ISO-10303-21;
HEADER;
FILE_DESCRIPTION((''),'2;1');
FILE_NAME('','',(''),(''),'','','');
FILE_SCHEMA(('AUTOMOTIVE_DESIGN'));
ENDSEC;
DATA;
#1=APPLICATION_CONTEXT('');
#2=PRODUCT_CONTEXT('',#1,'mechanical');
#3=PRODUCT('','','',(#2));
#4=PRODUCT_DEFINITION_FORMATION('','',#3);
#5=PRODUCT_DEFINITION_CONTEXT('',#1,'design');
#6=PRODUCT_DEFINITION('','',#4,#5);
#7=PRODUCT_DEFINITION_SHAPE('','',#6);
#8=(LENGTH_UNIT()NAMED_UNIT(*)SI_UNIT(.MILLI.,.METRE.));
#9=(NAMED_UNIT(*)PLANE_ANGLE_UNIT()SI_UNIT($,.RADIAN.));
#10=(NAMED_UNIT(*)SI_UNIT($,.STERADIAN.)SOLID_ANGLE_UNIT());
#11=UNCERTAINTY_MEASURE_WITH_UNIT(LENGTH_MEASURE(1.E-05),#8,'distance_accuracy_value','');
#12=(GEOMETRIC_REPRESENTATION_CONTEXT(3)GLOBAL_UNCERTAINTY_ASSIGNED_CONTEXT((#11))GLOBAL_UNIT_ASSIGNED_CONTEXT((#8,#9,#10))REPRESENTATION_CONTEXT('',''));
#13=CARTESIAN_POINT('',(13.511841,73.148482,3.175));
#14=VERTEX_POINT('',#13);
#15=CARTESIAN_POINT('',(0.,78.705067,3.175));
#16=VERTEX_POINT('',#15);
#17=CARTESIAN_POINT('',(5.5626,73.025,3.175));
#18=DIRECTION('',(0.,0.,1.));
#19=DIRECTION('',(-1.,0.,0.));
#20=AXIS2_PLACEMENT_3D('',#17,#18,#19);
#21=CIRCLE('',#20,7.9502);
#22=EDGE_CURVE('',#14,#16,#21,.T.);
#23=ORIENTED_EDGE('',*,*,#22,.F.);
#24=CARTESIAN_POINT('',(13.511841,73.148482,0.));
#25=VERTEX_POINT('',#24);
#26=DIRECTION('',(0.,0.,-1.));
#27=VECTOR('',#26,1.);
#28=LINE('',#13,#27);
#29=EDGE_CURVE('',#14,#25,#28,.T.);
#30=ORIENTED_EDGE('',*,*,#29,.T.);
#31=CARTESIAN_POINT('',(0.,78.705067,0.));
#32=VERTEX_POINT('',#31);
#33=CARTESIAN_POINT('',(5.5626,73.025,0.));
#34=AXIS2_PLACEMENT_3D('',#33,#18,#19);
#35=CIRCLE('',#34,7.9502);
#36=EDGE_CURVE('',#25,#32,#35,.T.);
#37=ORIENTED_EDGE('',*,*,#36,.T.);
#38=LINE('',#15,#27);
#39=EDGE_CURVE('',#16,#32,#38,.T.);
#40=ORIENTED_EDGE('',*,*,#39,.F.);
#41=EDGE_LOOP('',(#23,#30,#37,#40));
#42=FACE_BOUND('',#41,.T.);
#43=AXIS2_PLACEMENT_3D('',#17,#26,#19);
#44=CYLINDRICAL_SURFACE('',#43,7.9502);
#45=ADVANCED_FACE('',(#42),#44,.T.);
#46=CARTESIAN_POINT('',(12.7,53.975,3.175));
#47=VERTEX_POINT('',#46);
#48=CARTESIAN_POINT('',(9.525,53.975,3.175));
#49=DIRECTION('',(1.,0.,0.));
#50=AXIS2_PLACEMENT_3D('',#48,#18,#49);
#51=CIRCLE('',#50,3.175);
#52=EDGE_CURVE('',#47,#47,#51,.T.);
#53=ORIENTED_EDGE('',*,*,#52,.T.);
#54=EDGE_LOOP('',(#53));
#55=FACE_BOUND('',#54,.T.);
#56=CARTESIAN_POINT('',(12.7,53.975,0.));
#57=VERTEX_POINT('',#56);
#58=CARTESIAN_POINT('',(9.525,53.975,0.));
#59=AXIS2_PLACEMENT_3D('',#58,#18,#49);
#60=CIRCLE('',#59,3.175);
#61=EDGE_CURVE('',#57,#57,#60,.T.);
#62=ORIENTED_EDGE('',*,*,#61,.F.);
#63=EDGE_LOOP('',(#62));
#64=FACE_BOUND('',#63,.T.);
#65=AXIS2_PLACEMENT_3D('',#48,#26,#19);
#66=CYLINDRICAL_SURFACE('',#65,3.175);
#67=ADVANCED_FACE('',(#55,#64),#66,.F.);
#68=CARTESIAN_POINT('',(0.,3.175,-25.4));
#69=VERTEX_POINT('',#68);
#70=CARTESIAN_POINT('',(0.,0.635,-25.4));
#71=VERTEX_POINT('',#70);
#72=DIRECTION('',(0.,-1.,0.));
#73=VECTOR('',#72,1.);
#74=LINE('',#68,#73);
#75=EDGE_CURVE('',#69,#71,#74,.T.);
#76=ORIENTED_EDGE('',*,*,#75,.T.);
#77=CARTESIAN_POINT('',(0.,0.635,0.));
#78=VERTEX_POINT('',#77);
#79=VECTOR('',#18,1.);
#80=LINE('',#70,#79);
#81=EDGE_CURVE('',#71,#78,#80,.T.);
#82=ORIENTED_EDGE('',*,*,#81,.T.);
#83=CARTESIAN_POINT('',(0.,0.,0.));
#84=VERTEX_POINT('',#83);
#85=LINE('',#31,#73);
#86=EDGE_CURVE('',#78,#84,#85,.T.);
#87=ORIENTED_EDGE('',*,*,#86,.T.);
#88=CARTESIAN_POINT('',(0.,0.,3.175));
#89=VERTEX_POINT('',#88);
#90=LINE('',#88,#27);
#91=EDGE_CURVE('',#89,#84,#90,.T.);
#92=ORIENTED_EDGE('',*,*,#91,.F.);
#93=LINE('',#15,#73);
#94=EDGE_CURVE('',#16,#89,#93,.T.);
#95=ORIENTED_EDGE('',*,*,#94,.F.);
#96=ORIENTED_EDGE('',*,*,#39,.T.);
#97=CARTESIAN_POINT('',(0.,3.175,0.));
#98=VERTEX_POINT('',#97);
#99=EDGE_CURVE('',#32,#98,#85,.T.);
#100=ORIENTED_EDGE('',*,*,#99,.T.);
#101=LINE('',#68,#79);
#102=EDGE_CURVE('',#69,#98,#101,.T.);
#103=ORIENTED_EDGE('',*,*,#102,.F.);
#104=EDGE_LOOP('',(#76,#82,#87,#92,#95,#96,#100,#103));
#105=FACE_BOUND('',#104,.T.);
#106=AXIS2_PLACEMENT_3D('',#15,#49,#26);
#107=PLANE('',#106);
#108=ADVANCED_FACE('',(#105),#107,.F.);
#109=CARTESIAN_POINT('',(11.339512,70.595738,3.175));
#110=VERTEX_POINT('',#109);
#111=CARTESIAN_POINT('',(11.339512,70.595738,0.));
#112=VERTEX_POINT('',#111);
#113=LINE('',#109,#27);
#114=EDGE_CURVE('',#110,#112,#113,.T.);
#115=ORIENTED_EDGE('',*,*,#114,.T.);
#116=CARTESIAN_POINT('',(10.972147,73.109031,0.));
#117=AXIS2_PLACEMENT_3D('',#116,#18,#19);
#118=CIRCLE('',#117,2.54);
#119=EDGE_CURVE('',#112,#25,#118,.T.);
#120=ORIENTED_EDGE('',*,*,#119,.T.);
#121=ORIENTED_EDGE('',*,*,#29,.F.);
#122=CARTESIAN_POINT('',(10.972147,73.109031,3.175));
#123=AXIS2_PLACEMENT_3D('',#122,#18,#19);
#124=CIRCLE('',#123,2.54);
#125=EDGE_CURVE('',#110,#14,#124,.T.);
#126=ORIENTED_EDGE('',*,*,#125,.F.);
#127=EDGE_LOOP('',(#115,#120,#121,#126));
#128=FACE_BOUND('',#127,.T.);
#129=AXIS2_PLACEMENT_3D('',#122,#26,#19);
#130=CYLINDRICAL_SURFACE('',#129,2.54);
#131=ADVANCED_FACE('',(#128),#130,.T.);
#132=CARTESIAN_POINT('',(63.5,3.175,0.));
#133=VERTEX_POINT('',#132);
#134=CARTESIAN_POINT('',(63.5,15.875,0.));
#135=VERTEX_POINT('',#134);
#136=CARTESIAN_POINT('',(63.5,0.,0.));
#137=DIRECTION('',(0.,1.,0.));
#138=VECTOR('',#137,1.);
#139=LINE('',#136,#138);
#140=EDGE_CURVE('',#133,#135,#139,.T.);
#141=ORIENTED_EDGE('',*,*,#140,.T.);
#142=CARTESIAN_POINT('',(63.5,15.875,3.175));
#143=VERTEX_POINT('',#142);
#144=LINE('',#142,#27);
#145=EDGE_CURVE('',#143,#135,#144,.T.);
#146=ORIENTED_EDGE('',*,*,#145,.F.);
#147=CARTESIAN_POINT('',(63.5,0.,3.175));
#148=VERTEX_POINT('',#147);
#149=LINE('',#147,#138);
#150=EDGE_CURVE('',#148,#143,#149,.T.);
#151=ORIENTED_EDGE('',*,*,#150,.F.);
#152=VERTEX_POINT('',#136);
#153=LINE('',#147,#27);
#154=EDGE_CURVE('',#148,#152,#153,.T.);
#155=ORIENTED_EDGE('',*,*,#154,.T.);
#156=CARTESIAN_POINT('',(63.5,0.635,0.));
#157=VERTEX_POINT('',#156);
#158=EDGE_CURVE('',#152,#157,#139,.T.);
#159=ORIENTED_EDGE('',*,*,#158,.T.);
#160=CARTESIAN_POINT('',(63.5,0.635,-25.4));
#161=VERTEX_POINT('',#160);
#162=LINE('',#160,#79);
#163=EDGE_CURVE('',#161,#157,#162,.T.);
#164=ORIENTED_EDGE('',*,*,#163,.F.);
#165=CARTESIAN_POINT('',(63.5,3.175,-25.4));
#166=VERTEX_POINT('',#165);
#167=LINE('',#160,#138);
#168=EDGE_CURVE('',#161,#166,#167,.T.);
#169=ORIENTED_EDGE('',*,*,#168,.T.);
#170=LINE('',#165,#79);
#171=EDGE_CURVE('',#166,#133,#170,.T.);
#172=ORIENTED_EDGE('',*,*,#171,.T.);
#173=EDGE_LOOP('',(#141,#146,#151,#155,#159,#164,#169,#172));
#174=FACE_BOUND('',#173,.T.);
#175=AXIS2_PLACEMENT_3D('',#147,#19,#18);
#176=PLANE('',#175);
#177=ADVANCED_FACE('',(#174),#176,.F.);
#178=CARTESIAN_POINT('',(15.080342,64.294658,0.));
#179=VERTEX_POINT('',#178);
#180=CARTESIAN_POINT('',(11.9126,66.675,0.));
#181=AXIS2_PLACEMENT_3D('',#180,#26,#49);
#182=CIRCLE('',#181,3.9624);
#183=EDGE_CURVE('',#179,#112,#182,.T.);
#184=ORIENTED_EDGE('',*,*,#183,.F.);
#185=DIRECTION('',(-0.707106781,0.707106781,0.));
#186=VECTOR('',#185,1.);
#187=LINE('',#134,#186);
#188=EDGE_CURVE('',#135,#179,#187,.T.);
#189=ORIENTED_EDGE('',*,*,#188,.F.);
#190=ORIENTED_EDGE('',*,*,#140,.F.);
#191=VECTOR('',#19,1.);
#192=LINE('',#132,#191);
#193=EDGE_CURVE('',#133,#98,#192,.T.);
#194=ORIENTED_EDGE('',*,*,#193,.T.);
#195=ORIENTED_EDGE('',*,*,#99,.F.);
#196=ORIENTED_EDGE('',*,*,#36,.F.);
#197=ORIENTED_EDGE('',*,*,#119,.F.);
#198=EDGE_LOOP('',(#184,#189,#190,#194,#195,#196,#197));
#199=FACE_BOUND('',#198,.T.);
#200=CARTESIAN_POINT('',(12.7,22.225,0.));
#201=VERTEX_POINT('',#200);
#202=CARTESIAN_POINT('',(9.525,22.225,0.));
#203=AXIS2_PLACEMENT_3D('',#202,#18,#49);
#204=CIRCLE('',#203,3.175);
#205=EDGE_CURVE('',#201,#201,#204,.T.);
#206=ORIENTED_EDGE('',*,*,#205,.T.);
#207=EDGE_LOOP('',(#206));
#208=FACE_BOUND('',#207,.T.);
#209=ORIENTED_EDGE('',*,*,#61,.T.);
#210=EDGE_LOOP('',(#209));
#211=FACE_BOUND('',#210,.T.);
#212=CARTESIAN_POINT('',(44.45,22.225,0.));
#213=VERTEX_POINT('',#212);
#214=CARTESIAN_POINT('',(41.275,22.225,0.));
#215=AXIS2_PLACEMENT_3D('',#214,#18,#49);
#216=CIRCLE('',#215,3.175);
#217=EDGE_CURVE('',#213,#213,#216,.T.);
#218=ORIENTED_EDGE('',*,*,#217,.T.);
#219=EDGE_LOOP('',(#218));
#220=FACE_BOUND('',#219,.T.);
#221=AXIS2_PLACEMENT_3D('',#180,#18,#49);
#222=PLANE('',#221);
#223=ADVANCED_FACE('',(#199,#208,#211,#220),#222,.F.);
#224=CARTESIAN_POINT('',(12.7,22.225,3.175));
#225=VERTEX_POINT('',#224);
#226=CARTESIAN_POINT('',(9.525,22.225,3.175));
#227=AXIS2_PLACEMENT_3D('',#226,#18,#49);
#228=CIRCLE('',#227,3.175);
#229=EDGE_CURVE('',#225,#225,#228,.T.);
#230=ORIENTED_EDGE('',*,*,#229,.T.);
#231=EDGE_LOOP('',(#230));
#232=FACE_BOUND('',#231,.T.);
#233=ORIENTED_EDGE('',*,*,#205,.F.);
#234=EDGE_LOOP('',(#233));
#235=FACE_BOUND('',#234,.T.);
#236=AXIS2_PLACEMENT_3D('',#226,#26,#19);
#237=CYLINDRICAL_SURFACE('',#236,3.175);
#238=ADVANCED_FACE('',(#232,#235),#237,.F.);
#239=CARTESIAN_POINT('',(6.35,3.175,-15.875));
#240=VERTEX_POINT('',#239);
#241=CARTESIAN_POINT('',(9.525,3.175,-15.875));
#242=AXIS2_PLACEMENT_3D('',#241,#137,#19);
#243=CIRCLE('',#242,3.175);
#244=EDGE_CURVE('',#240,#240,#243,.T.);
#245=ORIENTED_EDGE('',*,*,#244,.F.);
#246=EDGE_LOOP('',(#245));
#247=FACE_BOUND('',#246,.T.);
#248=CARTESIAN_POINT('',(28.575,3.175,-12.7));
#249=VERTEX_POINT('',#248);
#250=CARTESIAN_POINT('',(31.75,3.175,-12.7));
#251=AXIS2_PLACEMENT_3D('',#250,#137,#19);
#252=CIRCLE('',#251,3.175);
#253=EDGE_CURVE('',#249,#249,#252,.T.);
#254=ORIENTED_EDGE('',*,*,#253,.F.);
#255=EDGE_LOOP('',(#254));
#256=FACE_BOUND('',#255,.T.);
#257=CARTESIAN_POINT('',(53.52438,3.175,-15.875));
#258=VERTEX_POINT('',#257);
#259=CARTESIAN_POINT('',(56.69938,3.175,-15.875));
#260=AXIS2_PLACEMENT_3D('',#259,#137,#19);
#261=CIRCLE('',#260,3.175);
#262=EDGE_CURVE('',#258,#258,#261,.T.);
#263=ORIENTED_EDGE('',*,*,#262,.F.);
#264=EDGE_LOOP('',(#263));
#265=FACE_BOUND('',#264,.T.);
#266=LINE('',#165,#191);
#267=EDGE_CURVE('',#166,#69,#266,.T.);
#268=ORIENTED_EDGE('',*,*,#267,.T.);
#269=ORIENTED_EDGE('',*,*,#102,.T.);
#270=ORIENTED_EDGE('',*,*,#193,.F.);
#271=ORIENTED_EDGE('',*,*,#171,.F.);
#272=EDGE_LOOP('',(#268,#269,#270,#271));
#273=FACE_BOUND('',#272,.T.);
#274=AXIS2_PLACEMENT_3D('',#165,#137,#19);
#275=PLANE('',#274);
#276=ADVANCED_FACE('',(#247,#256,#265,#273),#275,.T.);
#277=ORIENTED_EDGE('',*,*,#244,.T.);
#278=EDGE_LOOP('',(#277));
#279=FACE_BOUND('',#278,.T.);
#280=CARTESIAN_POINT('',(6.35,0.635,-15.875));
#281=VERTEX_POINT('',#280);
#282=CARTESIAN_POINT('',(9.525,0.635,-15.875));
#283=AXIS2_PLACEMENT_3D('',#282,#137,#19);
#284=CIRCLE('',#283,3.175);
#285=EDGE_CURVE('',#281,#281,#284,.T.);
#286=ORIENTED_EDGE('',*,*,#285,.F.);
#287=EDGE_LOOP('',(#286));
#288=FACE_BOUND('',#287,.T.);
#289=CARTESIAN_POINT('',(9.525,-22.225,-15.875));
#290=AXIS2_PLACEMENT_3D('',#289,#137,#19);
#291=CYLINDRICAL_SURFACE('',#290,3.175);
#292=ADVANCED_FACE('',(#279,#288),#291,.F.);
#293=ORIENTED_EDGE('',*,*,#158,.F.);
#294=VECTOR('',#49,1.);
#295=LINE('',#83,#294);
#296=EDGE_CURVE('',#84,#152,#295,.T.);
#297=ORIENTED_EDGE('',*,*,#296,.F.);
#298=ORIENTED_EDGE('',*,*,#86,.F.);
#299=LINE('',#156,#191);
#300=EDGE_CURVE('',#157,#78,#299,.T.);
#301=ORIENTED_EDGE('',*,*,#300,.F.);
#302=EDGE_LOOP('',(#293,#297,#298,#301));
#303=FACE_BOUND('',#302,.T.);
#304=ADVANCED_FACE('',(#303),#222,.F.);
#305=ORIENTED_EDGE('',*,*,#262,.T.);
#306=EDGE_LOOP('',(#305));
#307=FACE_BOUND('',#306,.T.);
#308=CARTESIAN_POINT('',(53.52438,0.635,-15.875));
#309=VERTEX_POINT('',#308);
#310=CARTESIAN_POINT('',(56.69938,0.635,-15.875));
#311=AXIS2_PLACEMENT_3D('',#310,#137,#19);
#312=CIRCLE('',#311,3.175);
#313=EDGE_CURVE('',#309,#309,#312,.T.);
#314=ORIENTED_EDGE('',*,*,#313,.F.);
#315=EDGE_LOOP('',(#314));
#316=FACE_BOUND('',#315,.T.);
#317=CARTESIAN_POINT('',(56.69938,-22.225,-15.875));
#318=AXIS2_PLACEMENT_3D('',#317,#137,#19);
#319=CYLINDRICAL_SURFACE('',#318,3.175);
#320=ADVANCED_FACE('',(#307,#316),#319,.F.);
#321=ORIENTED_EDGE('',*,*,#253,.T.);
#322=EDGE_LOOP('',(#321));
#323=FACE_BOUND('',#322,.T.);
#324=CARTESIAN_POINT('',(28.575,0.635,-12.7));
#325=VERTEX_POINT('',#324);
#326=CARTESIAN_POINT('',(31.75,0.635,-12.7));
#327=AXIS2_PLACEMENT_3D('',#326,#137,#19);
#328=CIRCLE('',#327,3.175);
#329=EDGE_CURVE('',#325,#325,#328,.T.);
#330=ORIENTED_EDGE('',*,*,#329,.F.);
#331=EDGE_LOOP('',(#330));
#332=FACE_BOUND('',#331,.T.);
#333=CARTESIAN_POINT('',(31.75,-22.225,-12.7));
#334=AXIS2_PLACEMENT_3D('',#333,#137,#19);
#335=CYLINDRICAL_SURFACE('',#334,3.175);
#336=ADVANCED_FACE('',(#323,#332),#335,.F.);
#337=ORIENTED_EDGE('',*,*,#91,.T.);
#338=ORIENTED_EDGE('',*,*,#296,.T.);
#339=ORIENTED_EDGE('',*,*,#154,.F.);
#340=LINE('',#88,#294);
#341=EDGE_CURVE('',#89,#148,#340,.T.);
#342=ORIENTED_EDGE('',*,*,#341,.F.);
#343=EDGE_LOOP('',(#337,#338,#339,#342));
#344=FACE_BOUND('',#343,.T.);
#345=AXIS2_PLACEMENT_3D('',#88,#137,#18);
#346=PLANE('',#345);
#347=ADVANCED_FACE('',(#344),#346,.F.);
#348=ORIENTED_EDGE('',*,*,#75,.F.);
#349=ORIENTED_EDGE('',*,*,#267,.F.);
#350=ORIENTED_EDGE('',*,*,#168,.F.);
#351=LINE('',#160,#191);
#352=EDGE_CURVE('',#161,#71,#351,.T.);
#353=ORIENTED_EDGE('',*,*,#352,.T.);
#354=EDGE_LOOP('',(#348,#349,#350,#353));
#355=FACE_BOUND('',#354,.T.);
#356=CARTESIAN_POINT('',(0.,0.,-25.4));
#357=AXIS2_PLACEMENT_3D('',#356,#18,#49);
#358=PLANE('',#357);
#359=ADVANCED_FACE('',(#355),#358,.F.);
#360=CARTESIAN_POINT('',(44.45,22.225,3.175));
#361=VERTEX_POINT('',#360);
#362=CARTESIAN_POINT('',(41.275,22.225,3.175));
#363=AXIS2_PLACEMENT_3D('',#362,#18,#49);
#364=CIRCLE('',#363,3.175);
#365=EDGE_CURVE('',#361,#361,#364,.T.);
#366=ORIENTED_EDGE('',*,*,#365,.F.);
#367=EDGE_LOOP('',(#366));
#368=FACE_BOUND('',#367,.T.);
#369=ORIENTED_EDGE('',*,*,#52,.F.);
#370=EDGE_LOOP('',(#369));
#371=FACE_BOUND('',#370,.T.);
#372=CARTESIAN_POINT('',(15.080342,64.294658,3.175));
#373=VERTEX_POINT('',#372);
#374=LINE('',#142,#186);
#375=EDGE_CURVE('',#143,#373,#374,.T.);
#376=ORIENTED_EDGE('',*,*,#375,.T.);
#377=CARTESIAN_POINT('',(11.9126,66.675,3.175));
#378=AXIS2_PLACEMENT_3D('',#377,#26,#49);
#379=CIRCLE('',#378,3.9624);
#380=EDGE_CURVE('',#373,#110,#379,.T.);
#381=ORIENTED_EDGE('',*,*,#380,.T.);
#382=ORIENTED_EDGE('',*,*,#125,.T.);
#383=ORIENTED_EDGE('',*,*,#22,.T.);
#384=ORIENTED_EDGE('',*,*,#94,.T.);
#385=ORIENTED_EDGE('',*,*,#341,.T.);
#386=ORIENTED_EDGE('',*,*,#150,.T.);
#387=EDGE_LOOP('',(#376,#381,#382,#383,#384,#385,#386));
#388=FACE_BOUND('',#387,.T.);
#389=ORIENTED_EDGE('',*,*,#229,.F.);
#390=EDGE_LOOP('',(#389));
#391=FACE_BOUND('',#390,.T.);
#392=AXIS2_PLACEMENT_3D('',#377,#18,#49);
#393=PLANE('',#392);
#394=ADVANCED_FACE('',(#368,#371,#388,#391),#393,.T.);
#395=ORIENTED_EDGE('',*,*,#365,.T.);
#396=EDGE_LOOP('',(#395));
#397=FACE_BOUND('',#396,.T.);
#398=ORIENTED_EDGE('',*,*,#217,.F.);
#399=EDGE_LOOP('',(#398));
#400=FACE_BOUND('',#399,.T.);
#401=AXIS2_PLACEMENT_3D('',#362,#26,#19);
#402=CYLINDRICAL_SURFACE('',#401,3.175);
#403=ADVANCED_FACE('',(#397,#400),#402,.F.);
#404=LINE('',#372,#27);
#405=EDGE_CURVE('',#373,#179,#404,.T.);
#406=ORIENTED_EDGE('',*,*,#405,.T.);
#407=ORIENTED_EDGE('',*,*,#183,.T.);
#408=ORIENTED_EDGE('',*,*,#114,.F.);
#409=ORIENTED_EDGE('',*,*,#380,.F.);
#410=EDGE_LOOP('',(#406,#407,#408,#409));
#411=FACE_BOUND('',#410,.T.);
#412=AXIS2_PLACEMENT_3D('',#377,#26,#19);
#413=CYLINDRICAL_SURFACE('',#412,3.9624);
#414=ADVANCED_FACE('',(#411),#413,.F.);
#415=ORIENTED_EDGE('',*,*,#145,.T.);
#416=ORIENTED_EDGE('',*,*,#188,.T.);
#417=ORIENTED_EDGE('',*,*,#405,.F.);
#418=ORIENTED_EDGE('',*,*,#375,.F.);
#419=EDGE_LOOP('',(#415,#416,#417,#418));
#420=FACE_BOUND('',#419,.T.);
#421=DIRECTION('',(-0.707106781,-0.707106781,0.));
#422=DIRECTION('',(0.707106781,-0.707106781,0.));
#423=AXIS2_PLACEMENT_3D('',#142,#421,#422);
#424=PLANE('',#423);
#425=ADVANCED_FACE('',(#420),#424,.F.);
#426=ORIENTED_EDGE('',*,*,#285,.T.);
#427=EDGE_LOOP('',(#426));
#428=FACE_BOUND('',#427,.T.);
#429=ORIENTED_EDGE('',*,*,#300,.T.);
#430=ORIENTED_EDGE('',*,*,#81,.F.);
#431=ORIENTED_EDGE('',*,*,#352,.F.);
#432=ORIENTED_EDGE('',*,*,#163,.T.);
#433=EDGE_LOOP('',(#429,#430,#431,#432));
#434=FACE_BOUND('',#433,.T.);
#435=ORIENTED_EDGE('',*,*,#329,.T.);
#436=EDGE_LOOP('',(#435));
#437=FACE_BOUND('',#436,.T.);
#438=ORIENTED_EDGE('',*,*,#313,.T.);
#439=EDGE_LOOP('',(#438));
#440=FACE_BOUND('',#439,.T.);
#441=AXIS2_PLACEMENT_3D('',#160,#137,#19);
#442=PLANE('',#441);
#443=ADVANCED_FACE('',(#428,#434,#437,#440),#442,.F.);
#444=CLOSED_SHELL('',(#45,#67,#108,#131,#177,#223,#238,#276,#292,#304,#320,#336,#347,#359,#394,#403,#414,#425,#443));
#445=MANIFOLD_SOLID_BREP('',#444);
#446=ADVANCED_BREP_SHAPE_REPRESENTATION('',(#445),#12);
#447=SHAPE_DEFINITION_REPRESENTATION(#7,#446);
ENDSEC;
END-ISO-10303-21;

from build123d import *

# Parameters (mm, degrees)
SKETCH1_R           = 3.175
BOSS_EXTRUDE1_DEPTH = 3.175
SKETCH2_W           = 63.5
SKETCH2_H           = 2.54
EXTRUDE_THIN1_DEPTH = 25.4
SKETCH3_R           = 3.175
CUT_EXTRUDE1_DEPTH  = 25.4


with BuildPart() as part:
    # Sketch1 → Boss-Extrude1 (new body)
    with BuildSketch(Plane.XY):
        with BuildLine():
            Line((0, 0), (63.5, 0))
            Line((63.5, 0), (63.5, 15.875))
            Line((63.5, 15.875), (15.080341671, 64.294658329))
            ThreePointArc((15.080341671, 64.294658329), (8.505408108, 64.65221549), (11.339511683, 70.595737627))
            ThreePointArc((11.339511683, 70.595737627), (12.906539417, 71.462906002), (13.511840983, 73.148482141))
            ThreePointArc((13.511840983, 73.148482141), (8.586326617, 80.377738088), (0, 78.705067014))
            Line((0, 78.705067014), (0, 0))
        make_face()
        with Locations((9.525, 22.225)):
            Circle(SKETCH1_R, mode=Mode.SUBTRACT)
        with Locations((9.525, 53.975)):
            Circle(SKETCH1_R, mode=Mode.SUBTRACT)
        with Locations((41.275, 22.225)):
            Circle(SKETCH1_R, mode=Mode.SUBTRACT)
    extrude(amount=BOSS_EXTRUDE1_DEPTH)

    # Sketch2 → Extrude-Thin1 (add)
    with BuildSketch(Plane(origin=(0, 0, 0), x_dir=(-1, 0, 0), z_dir=(0, 0, -1))):
        with Locations((-31.75, 1.905)):
            Rectangle(SKETCH2_W, SKETCH2_H)
    extrude(amount=EXTRUDE_THIN1_DEPTH)

    # Sketch3 → Cut-Extrude1 (cut)
    with BuildSketch(Plane(origin=(0, 3.175, 0), x_dir=(1, 0, 0), z_dir=(0, 1, 0))):
        with Locations(Location((31.75, 12.7, 0), (0, 0, 180))):
            Circle(SKETCH3_R)
        with Locations(Location((9.525, 15.875, 0), (0, 0, 180))):
            Circle(SKETCH3_R)
        with Locations(Location((56.699380445, 15.875, 0), (0, 0, 180))):
            Circle(SKETCH3_R)
    extrude(amount=-CUT_EXTRUDE1_DEPTH, mode=Mode.SUBTRACT)


solid = part.part
